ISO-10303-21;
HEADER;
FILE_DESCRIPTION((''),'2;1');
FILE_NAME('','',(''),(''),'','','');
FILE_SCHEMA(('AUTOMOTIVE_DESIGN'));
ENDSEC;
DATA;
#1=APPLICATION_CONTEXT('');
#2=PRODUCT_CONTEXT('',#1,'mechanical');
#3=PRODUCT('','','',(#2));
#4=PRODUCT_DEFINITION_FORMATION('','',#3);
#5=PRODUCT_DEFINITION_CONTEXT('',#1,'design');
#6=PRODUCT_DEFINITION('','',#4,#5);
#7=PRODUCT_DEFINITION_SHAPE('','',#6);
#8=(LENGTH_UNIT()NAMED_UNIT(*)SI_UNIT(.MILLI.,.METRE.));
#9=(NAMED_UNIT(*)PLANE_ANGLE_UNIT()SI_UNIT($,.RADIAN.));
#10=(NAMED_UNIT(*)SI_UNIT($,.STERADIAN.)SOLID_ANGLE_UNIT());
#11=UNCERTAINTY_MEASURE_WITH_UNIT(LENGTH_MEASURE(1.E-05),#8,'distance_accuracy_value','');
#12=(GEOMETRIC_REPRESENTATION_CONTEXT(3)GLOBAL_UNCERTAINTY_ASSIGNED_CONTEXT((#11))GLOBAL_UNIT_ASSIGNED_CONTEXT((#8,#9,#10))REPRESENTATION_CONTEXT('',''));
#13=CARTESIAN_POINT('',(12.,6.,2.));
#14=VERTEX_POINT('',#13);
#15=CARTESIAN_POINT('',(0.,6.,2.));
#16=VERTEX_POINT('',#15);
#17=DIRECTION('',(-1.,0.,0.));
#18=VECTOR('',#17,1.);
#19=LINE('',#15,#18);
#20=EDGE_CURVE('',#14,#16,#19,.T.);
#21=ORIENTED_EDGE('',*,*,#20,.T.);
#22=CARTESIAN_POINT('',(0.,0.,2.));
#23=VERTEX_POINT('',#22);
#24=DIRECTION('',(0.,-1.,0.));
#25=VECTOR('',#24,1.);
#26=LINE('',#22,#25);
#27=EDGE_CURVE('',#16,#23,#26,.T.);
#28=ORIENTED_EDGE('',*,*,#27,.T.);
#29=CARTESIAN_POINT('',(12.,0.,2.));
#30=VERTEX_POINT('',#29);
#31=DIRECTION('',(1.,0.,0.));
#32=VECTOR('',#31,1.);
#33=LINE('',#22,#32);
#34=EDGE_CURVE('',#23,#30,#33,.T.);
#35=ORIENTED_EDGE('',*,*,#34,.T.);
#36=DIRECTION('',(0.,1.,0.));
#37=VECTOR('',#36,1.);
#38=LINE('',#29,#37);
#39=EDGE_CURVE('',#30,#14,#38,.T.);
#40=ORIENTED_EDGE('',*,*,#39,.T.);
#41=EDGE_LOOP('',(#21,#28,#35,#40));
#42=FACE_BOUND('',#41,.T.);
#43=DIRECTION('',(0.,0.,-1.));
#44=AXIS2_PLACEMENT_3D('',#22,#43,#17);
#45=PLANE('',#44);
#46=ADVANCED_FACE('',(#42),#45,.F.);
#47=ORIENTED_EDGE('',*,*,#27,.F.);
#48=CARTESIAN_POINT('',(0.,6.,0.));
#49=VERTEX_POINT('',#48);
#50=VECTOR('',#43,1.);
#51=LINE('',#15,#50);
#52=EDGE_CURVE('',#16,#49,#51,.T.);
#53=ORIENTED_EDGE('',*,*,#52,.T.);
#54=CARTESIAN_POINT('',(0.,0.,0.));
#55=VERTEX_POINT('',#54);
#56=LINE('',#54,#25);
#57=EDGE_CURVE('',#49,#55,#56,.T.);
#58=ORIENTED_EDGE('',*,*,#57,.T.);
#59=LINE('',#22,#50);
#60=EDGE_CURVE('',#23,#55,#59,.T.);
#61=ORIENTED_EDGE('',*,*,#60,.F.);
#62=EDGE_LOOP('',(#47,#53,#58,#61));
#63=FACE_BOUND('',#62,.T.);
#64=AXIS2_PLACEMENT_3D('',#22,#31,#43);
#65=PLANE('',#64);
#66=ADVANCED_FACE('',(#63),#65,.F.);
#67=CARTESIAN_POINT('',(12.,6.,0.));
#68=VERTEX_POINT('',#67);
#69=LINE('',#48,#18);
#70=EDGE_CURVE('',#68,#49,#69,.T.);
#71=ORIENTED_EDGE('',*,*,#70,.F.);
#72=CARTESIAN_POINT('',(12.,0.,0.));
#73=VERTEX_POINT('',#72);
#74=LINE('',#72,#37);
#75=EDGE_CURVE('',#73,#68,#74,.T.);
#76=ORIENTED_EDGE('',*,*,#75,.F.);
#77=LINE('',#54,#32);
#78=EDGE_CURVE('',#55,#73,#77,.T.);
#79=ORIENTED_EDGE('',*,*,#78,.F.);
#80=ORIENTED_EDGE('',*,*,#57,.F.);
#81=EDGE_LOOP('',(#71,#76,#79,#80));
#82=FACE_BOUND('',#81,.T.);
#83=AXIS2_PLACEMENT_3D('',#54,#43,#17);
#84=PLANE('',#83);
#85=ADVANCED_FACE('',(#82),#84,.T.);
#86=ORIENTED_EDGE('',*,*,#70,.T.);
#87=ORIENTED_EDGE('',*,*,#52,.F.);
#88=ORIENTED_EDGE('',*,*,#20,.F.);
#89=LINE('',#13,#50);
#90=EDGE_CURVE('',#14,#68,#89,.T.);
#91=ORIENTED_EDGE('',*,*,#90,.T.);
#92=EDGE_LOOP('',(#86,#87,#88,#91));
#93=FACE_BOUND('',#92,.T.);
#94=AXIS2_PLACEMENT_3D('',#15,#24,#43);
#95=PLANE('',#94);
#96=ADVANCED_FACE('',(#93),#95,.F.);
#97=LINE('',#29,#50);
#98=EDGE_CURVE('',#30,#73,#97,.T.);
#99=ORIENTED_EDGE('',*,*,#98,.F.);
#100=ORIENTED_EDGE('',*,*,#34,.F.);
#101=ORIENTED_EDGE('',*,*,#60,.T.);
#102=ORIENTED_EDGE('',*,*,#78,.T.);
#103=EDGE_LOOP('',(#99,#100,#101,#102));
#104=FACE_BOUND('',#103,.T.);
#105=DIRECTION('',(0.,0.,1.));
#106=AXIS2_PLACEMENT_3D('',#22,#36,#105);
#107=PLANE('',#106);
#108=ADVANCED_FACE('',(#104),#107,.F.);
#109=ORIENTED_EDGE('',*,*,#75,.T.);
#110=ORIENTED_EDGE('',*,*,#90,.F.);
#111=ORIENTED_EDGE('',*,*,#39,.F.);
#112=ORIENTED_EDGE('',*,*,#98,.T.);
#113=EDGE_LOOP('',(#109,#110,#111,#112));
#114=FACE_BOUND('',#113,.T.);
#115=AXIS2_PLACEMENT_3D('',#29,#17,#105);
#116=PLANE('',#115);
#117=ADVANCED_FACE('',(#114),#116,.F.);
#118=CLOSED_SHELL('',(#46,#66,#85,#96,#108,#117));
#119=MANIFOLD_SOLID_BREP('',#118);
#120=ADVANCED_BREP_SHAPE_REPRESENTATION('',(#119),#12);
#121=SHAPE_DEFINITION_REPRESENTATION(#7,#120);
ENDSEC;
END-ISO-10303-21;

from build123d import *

# Parameters (mm, degrees)
SKETCH1_W     = 12
SKETCH1_H     = 6
PROFILE_DEPTH = 2


with BuildPart() as part:
    # Sketch1 → Profile (new body)
    with BuildSketch(Plane.XY):
        with Locations((6, 3)):
            Rectangle(SKETCH1_W, SKETCH1_H)
    extrude(amount=PROFILE_DEPTH)


solid = part.part
